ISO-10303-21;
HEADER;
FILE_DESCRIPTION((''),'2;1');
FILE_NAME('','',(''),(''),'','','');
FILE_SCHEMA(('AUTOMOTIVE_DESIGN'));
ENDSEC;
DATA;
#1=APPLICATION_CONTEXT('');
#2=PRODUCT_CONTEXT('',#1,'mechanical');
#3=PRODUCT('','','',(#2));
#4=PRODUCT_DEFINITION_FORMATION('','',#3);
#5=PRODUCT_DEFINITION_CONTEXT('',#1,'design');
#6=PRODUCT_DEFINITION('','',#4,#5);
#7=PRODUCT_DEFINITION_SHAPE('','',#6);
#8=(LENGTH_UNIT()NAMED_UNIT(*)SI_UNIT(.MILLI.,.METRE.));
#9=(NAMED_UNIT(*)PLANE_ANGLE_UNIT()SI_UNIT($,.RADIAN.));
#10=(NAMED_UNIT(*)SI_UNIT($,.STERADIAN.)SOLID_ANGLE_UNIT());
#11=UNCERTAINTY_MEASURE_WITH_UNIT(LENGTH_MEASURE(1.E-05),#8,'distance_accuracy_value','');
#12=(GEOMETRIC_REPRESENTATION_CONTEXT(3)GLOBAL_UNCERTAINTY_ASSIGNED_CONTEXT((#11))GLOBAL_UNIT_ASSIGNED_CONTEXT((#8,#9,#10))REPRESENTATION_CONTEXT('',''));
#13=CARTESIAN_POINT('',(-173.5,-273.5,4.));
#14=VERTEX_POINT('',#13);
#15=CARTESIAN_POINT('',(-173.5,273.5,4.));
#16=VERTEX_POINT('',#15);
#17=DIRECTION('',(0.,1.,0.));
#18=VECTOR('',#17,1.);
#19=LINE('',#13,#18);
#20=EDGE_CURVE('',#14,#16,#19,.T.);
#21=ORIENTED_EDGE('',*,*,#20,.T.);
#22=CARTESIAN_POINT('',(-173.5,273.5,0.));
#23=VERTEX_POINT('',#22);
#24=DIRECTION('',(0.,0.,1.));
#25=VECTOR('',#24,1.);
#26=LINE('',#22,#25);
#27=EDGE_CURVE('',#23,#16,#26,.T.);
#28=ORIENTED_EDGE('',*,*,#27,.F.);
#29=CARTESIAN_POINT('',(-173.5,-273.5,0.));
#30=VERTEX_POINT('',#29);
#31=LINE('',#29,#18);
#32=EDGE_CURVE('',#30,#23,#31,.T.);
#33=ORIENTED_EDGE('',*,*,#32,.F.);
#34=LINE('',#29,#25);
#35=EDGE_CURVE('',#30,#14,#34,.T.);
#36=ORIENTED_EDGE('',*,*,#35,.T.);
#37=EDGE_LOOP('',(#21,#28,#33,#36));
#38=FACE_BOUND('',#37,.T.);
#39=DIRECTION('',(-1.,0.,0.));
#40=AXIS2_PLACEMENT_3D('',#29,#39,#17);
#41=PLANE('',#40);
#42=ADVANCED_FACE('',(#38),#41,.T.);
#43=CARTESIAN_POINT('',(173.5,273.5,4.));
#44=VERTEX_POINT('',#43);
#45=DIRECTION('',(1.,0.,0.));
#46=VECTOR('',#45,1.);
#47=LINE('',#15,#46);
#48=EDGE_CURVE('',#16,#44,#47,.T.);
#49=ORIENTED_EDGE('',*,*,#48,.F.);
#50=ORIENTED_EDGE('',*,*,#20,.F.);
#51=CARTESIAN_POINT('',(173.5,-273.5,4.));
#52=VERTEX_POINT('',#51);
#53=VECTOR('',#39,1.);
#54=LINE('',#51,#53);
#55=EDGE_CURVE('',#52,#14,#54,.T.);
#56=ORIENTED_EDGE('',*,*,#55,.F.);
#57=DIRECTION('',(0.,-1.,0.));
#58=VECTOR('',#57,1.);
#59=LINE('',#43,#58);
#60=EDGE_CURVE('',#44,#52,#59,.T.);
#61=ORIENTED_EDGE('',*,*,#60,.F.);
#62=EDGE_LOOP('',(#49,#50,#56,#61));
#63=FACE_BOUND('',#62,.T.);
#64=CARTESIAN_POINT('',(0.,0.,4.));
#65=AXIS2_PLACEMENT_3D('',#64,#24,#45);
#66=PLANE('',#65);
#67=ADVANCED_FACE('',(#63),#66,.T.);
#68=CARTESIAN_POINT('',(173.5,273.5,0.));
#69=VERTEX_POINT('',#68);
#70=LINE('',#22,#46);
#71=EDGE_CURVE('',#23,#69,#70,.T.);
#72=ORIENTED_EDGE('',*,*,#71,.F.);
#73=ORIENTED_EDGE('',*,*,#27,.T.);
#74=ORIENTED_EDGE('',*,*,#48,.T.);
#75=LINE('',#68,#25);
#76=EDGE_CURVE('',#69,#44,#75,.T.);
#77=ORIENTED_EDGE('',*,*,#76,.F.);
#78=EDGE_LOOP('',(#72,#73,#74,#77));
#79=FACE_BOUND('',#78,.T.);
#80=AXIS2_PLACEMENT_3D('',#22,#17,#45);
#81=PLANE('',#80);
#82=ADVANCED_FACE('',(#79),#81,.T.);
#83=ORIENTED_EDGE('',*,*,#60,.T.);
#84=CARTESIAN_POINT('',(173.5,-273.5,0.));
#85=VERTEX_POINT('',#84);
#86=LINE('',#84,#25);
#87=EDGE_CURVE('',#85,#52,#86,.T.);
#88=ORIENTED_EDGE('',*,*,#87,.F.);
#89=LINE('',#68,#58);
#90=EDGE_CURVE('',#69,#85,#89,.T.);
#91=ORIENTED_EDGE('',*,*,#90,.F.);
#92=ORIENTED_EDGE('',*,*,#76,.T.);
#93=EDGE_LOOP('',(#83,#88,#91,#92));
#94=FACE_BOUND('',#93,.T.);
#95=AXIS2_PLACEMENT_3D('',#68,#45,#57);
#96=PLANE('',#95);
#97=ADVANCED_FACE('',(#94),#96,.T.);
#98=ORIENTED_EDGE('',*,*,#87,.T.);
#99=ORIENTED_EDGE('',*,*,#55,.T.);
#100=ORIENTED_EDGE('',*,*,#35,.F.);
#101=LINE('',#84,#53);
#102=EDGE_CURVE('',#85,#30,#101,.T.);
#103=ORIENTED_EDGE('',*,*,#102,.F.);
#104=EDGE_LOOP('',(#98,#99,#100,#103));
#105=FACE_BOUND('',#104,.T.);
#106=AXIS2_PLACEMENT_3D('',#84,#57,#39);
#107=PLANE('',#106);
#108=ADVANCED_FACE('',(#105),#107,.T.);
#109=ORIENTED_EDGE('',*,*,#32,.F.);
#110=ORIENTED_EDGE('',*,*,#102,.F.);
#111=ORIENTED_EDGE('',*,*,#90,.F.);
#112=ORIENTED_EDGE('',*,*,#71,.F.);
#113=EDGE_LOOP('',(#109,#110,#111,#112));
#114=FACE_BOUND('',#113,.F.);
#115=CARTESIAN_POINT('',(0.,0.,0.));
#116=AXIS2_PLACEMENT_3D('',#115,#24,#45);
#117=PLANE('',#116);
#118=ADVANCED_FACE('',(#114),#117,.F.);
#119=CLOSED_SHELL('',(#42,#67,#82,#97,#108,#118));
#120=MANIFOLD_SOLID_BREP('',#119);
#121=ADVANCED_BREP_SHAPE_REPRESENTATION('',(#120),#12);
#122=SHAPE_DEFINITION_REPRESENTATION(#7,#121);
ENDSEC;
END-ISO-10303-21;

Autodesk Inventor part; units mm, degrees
ref_plane "YZ Plane" through (0, 0, 0) normal (1, 0, 0) x (0, 1, 0)
ref_plane "XZ Plane" through (0, 0, 0) normal (0, 1, 0) x (-1, 0, 0)
ref_plane "XY Plane" through (0, 0, 0) normal (0, 0, 1) x (1, 0, 0)
sketch "Boceto1" plane through (0, 0, 0) normal (0, 0, 1) x (1, 0, 0)
  line L0 (173.5, -273.5) -> (-173.5, -273.5)
  line L1 (-173.5, -273.5) -> (-173.5, 273.5)
  line L2 (-173.5, 273.5) -> (173.5, 273.5)
  line L3 (173.5, 273.5) -> (173.5, -273.5)
  line L4 (173.5, -273.5) -> (-173.5, 273.5) construction
  line L5 (-173.5, -273.5) -> (173.5, 273.5) construction
  point P0 (0, 0)
  dimension "d0" = 347
  dimension "d1" = 547
extrude "Extrusión1" add sketch "Boceto1" along normal blind 4
properties part number "panel"
